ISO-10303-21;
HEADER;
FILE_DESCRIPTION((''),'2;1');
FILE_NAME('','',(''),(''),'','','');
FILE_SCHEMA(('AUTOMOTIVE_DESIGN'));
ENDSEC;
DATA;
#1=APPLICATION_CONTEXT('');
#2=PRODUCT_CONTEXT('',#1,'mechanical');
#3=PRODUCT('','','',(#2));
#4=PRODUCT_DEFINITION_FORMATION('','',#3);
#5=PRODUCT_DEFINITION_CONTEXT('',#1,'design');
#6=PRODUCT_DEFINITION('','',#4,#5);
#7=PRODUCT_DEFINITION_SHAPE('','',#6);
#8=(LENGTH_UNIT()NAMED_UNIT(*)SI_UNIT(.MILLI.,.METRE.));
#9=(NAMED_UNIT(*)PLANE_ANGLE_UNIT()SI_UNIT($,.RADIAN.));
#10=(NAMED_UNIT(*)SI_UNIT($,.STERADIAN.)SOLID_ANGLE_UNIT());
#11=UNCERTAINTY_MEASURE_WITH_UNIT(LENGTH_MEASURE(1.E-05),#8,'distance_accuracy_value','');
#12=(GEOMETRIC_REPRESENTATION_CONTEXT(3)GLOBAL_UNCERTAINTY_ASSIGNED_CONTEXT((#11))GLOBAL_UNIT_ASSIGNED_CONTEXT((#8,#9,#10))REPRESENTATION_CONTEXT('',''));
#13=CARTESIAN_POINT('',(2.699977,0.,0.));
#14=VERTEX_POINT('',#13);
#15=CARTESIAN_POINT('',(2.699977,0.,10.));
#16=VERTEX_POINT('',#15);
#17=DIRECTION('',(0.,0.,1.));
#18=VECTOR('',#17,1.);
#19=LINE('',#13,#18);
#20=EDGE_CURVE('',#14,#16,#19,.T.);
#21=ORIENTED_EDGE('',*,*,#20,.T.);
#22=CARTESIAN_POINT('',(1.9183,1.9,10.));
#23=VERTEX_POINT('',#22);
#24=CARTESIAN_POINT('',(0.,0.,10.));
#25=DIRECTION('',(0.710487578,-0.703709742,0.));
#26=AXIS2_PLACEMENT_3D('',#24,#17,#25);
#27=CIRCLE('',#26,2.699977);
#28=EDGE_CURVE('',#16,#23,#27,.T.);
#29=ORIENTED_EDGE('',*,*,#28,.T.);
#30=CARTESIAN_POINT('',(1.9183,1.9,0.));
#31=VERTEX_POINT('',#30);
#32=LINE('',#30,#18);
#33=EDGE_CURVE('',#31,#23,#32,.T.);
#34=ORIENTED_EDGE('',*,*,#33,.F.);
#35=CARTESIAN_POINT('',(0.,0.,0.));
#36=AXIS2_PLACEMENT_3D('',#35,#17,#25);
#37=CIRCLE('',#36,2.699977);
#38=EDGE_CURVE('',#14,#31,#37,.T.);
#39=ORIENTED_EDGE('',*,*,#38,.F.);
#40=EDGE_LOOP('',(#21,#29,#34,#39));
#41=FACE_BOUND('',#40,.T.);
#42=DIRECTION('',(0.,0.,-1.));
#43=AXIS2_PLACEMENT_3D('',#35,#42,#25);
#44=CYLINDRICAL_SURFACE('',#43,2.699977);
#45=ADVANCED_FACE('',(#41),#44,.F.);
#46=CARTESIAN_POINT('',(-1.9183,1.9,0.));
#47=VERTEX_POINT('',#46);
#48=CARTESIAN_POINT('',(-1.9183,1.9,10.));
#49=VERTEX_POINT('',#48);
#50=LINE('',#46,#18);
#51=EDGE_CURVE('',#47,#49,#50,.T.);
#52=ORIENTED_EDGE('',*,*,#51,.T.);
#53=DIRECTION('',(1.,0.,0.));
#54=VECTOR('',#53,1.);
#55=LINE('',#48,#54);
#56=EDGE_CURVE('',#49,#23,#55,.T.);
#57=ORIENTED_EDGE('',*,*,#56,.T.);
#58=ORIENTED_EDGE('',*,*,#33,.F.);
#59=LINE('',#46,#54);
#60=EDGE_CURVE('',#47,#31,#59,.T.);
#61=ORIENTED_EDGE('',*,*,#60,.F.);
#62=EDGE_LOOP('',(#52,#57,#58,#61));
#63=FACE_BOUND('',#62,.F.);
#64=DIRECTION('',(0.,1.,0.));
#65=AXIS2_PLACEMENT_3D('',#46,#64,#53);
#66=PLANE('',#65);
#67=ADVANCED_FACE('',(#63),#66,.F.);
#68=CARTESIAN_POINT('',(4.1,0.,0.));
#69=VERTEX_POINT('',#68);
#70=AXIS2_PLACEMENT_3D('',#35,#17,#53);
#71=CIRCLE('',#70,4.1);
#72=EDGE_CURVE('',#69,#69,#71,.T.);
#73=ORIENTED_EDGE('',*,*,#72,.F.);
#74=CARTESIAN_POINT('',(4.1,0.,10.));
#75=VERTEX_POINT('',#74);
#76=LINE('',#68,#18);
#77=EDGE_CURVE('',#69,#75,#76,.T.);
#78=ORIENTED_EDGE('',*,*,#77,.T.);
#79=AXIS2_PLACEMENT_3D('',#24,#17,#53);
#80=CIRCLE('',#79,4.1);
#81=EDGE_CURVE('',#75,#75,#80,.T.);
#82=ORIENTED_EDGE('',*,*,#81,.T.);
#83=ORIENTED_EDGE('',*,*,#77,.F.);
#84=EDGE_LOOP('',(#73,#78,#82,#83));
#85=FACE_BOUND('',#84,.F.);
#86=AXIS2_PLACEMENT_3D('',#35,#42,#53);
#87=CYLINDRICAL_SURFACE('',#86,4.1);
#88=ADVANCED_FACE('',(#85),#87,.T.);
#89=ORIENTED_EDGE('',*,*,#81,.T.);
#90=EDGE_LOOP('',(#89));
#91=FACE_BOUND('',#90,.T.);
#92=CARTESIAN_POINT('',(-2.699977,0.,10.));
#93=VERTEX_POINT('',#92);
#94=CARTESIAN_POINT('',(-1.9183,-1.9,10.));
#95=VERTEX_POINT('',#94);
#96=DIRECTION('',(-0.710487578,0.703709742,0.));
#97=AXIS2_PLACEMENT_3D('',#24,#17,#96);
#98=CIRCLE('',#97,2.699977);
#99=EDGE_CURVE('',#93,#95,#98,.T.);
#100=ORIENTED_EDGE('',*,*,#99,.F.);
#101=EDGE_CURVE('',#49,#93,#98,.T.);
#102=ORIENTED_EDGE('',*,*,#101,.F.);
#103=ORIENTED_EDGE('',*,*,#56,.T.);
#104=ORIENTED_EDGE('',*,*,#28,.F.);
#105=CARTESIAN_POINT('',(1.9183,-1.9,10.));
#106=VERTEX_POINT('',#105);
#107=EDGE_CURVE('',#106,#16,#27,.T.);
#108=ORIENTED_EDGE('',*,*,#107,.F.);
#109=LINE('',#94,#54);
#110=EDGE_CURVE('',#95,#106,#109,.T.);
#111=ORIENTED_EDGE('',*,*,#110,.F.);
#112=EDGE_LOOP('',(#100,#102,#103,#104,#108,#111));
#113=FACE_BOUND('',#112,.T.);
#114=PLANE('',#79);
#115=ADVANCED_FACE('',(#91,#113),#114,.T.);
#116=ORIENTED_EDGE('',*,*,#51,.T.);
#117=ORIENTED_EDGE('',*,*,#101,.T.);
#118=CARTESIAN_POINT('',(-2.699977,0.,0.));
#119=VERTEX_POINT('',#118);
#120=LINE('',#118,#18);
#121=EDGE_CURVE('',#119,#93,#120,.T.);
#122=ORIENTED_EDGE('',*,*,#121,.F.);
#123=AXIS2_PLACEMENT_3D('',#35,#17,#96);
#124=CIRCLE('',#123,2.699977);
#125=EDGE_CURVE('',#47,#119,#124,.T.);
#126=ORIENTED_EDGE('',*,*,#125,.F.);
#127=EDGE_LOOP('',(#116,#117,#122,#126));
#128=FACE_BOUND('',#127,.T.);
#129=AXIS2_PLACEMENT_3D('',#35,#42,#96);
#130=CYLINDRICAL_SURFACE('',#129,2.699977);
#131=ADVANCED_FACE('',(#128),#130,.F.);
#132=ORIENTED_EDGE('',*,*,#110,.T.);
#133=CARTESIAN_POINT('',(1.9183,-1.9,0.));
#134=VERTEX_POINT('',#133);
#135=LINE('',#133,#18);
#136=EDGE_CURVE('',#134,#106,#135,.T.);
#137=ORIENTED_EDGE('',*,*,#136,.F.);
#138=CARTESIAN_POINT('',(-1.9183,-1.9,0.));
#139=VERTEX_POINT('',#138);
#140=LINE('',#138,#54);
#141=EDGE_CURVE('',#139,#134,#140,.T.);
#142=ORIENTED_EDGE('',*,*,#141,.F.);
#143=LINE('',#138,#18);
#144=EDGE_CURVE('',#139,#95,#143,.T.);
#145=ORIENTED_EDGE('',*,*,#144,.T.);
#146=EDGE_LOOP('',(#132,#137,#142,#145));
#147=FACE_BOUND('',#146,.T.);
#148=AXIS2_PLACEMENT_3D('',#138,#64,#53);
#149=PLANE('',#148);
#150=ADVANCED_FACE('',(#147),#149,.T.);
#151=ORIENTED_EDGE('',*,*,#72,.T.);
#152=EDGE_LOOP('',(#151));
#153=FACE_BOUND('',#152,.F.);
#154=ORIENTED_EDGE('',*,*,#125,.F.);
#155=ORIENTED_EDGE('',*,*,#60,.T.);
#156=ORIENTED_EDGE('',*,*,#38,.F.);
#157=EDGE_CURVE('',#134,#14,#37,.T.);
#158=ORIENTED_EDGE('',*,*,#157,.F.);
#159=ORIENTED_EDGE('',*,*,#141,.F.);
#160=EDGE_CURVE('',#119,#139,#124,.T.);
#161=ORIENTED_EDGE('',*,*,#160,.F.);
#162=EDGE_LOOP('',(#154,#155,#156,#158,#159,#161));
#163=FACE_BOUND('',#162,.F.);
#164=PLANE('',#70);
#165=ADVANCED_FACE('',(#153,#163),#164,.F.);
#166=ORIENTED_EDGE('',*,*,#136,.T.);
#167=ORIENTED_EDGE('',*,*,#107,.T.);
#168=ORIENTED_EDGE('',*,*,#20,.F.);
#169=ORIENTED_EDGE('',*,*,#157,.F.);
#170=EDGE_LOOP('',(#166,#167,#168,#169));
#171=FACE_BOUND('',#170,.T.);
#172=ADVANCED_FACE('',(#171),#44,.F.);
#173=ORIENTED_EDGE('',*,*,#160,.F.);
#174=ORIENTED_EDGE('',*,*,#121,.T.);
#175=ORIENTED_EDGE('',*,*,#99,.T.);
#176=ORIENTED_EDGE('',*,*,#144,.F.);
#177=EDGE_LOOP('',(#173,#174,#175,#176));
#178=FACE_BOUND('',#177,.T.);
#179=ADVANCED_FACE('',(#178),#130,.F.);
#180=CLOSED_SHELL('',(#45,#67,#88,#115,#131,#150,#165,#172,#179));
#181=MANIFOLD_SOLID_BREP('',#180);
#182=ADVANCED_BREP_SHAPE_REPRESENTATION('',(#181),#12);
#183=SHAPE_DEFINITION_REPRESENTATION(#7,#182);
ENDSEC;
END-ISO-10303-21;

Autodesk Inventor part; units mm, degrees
ref_plane "YZ Plane" through (0, 0, 0) normal (1, 0, 0) x (0, 1, 0)
ref_plane "XZ Plane" through (0, 0, 0) normal (0, 1, 0) x (-1, 0, 0)
ref_plane "XY Plane" through (0, 0, 0) normal (0, 0, 1) x (1, 0, 0)
sketch "Sketch1" plane through (0, 0, 0) normal (0, 0, 1) x (1, 0, 0)
  line L0 (-1.9183, 1.9) -> (1.9183, 1.9)
  line L1 (-3.0684, 0) -> (3.272, 0)
  line L2 (-1.9183, -1.9) -> (1.9183, -1.9)
  circle A0 centre (0, 0) radius 4.1
  arc A1 (-1.9183, 1.9) -> (-1.9183, -1.9) centre (0, 0) ccw
  arc A2 (1.9183, -1.9) -> (1.9183, 1.9) centre (0, 0) ccw
  dimension "d2" = 3.8
  dimension "d4" = 2.7
  dimension "d5" = 2.7
extrude "Extrusion1" add sketch "Sketch1" along normal blind 10
properties part number "bağlantı elemanı"
